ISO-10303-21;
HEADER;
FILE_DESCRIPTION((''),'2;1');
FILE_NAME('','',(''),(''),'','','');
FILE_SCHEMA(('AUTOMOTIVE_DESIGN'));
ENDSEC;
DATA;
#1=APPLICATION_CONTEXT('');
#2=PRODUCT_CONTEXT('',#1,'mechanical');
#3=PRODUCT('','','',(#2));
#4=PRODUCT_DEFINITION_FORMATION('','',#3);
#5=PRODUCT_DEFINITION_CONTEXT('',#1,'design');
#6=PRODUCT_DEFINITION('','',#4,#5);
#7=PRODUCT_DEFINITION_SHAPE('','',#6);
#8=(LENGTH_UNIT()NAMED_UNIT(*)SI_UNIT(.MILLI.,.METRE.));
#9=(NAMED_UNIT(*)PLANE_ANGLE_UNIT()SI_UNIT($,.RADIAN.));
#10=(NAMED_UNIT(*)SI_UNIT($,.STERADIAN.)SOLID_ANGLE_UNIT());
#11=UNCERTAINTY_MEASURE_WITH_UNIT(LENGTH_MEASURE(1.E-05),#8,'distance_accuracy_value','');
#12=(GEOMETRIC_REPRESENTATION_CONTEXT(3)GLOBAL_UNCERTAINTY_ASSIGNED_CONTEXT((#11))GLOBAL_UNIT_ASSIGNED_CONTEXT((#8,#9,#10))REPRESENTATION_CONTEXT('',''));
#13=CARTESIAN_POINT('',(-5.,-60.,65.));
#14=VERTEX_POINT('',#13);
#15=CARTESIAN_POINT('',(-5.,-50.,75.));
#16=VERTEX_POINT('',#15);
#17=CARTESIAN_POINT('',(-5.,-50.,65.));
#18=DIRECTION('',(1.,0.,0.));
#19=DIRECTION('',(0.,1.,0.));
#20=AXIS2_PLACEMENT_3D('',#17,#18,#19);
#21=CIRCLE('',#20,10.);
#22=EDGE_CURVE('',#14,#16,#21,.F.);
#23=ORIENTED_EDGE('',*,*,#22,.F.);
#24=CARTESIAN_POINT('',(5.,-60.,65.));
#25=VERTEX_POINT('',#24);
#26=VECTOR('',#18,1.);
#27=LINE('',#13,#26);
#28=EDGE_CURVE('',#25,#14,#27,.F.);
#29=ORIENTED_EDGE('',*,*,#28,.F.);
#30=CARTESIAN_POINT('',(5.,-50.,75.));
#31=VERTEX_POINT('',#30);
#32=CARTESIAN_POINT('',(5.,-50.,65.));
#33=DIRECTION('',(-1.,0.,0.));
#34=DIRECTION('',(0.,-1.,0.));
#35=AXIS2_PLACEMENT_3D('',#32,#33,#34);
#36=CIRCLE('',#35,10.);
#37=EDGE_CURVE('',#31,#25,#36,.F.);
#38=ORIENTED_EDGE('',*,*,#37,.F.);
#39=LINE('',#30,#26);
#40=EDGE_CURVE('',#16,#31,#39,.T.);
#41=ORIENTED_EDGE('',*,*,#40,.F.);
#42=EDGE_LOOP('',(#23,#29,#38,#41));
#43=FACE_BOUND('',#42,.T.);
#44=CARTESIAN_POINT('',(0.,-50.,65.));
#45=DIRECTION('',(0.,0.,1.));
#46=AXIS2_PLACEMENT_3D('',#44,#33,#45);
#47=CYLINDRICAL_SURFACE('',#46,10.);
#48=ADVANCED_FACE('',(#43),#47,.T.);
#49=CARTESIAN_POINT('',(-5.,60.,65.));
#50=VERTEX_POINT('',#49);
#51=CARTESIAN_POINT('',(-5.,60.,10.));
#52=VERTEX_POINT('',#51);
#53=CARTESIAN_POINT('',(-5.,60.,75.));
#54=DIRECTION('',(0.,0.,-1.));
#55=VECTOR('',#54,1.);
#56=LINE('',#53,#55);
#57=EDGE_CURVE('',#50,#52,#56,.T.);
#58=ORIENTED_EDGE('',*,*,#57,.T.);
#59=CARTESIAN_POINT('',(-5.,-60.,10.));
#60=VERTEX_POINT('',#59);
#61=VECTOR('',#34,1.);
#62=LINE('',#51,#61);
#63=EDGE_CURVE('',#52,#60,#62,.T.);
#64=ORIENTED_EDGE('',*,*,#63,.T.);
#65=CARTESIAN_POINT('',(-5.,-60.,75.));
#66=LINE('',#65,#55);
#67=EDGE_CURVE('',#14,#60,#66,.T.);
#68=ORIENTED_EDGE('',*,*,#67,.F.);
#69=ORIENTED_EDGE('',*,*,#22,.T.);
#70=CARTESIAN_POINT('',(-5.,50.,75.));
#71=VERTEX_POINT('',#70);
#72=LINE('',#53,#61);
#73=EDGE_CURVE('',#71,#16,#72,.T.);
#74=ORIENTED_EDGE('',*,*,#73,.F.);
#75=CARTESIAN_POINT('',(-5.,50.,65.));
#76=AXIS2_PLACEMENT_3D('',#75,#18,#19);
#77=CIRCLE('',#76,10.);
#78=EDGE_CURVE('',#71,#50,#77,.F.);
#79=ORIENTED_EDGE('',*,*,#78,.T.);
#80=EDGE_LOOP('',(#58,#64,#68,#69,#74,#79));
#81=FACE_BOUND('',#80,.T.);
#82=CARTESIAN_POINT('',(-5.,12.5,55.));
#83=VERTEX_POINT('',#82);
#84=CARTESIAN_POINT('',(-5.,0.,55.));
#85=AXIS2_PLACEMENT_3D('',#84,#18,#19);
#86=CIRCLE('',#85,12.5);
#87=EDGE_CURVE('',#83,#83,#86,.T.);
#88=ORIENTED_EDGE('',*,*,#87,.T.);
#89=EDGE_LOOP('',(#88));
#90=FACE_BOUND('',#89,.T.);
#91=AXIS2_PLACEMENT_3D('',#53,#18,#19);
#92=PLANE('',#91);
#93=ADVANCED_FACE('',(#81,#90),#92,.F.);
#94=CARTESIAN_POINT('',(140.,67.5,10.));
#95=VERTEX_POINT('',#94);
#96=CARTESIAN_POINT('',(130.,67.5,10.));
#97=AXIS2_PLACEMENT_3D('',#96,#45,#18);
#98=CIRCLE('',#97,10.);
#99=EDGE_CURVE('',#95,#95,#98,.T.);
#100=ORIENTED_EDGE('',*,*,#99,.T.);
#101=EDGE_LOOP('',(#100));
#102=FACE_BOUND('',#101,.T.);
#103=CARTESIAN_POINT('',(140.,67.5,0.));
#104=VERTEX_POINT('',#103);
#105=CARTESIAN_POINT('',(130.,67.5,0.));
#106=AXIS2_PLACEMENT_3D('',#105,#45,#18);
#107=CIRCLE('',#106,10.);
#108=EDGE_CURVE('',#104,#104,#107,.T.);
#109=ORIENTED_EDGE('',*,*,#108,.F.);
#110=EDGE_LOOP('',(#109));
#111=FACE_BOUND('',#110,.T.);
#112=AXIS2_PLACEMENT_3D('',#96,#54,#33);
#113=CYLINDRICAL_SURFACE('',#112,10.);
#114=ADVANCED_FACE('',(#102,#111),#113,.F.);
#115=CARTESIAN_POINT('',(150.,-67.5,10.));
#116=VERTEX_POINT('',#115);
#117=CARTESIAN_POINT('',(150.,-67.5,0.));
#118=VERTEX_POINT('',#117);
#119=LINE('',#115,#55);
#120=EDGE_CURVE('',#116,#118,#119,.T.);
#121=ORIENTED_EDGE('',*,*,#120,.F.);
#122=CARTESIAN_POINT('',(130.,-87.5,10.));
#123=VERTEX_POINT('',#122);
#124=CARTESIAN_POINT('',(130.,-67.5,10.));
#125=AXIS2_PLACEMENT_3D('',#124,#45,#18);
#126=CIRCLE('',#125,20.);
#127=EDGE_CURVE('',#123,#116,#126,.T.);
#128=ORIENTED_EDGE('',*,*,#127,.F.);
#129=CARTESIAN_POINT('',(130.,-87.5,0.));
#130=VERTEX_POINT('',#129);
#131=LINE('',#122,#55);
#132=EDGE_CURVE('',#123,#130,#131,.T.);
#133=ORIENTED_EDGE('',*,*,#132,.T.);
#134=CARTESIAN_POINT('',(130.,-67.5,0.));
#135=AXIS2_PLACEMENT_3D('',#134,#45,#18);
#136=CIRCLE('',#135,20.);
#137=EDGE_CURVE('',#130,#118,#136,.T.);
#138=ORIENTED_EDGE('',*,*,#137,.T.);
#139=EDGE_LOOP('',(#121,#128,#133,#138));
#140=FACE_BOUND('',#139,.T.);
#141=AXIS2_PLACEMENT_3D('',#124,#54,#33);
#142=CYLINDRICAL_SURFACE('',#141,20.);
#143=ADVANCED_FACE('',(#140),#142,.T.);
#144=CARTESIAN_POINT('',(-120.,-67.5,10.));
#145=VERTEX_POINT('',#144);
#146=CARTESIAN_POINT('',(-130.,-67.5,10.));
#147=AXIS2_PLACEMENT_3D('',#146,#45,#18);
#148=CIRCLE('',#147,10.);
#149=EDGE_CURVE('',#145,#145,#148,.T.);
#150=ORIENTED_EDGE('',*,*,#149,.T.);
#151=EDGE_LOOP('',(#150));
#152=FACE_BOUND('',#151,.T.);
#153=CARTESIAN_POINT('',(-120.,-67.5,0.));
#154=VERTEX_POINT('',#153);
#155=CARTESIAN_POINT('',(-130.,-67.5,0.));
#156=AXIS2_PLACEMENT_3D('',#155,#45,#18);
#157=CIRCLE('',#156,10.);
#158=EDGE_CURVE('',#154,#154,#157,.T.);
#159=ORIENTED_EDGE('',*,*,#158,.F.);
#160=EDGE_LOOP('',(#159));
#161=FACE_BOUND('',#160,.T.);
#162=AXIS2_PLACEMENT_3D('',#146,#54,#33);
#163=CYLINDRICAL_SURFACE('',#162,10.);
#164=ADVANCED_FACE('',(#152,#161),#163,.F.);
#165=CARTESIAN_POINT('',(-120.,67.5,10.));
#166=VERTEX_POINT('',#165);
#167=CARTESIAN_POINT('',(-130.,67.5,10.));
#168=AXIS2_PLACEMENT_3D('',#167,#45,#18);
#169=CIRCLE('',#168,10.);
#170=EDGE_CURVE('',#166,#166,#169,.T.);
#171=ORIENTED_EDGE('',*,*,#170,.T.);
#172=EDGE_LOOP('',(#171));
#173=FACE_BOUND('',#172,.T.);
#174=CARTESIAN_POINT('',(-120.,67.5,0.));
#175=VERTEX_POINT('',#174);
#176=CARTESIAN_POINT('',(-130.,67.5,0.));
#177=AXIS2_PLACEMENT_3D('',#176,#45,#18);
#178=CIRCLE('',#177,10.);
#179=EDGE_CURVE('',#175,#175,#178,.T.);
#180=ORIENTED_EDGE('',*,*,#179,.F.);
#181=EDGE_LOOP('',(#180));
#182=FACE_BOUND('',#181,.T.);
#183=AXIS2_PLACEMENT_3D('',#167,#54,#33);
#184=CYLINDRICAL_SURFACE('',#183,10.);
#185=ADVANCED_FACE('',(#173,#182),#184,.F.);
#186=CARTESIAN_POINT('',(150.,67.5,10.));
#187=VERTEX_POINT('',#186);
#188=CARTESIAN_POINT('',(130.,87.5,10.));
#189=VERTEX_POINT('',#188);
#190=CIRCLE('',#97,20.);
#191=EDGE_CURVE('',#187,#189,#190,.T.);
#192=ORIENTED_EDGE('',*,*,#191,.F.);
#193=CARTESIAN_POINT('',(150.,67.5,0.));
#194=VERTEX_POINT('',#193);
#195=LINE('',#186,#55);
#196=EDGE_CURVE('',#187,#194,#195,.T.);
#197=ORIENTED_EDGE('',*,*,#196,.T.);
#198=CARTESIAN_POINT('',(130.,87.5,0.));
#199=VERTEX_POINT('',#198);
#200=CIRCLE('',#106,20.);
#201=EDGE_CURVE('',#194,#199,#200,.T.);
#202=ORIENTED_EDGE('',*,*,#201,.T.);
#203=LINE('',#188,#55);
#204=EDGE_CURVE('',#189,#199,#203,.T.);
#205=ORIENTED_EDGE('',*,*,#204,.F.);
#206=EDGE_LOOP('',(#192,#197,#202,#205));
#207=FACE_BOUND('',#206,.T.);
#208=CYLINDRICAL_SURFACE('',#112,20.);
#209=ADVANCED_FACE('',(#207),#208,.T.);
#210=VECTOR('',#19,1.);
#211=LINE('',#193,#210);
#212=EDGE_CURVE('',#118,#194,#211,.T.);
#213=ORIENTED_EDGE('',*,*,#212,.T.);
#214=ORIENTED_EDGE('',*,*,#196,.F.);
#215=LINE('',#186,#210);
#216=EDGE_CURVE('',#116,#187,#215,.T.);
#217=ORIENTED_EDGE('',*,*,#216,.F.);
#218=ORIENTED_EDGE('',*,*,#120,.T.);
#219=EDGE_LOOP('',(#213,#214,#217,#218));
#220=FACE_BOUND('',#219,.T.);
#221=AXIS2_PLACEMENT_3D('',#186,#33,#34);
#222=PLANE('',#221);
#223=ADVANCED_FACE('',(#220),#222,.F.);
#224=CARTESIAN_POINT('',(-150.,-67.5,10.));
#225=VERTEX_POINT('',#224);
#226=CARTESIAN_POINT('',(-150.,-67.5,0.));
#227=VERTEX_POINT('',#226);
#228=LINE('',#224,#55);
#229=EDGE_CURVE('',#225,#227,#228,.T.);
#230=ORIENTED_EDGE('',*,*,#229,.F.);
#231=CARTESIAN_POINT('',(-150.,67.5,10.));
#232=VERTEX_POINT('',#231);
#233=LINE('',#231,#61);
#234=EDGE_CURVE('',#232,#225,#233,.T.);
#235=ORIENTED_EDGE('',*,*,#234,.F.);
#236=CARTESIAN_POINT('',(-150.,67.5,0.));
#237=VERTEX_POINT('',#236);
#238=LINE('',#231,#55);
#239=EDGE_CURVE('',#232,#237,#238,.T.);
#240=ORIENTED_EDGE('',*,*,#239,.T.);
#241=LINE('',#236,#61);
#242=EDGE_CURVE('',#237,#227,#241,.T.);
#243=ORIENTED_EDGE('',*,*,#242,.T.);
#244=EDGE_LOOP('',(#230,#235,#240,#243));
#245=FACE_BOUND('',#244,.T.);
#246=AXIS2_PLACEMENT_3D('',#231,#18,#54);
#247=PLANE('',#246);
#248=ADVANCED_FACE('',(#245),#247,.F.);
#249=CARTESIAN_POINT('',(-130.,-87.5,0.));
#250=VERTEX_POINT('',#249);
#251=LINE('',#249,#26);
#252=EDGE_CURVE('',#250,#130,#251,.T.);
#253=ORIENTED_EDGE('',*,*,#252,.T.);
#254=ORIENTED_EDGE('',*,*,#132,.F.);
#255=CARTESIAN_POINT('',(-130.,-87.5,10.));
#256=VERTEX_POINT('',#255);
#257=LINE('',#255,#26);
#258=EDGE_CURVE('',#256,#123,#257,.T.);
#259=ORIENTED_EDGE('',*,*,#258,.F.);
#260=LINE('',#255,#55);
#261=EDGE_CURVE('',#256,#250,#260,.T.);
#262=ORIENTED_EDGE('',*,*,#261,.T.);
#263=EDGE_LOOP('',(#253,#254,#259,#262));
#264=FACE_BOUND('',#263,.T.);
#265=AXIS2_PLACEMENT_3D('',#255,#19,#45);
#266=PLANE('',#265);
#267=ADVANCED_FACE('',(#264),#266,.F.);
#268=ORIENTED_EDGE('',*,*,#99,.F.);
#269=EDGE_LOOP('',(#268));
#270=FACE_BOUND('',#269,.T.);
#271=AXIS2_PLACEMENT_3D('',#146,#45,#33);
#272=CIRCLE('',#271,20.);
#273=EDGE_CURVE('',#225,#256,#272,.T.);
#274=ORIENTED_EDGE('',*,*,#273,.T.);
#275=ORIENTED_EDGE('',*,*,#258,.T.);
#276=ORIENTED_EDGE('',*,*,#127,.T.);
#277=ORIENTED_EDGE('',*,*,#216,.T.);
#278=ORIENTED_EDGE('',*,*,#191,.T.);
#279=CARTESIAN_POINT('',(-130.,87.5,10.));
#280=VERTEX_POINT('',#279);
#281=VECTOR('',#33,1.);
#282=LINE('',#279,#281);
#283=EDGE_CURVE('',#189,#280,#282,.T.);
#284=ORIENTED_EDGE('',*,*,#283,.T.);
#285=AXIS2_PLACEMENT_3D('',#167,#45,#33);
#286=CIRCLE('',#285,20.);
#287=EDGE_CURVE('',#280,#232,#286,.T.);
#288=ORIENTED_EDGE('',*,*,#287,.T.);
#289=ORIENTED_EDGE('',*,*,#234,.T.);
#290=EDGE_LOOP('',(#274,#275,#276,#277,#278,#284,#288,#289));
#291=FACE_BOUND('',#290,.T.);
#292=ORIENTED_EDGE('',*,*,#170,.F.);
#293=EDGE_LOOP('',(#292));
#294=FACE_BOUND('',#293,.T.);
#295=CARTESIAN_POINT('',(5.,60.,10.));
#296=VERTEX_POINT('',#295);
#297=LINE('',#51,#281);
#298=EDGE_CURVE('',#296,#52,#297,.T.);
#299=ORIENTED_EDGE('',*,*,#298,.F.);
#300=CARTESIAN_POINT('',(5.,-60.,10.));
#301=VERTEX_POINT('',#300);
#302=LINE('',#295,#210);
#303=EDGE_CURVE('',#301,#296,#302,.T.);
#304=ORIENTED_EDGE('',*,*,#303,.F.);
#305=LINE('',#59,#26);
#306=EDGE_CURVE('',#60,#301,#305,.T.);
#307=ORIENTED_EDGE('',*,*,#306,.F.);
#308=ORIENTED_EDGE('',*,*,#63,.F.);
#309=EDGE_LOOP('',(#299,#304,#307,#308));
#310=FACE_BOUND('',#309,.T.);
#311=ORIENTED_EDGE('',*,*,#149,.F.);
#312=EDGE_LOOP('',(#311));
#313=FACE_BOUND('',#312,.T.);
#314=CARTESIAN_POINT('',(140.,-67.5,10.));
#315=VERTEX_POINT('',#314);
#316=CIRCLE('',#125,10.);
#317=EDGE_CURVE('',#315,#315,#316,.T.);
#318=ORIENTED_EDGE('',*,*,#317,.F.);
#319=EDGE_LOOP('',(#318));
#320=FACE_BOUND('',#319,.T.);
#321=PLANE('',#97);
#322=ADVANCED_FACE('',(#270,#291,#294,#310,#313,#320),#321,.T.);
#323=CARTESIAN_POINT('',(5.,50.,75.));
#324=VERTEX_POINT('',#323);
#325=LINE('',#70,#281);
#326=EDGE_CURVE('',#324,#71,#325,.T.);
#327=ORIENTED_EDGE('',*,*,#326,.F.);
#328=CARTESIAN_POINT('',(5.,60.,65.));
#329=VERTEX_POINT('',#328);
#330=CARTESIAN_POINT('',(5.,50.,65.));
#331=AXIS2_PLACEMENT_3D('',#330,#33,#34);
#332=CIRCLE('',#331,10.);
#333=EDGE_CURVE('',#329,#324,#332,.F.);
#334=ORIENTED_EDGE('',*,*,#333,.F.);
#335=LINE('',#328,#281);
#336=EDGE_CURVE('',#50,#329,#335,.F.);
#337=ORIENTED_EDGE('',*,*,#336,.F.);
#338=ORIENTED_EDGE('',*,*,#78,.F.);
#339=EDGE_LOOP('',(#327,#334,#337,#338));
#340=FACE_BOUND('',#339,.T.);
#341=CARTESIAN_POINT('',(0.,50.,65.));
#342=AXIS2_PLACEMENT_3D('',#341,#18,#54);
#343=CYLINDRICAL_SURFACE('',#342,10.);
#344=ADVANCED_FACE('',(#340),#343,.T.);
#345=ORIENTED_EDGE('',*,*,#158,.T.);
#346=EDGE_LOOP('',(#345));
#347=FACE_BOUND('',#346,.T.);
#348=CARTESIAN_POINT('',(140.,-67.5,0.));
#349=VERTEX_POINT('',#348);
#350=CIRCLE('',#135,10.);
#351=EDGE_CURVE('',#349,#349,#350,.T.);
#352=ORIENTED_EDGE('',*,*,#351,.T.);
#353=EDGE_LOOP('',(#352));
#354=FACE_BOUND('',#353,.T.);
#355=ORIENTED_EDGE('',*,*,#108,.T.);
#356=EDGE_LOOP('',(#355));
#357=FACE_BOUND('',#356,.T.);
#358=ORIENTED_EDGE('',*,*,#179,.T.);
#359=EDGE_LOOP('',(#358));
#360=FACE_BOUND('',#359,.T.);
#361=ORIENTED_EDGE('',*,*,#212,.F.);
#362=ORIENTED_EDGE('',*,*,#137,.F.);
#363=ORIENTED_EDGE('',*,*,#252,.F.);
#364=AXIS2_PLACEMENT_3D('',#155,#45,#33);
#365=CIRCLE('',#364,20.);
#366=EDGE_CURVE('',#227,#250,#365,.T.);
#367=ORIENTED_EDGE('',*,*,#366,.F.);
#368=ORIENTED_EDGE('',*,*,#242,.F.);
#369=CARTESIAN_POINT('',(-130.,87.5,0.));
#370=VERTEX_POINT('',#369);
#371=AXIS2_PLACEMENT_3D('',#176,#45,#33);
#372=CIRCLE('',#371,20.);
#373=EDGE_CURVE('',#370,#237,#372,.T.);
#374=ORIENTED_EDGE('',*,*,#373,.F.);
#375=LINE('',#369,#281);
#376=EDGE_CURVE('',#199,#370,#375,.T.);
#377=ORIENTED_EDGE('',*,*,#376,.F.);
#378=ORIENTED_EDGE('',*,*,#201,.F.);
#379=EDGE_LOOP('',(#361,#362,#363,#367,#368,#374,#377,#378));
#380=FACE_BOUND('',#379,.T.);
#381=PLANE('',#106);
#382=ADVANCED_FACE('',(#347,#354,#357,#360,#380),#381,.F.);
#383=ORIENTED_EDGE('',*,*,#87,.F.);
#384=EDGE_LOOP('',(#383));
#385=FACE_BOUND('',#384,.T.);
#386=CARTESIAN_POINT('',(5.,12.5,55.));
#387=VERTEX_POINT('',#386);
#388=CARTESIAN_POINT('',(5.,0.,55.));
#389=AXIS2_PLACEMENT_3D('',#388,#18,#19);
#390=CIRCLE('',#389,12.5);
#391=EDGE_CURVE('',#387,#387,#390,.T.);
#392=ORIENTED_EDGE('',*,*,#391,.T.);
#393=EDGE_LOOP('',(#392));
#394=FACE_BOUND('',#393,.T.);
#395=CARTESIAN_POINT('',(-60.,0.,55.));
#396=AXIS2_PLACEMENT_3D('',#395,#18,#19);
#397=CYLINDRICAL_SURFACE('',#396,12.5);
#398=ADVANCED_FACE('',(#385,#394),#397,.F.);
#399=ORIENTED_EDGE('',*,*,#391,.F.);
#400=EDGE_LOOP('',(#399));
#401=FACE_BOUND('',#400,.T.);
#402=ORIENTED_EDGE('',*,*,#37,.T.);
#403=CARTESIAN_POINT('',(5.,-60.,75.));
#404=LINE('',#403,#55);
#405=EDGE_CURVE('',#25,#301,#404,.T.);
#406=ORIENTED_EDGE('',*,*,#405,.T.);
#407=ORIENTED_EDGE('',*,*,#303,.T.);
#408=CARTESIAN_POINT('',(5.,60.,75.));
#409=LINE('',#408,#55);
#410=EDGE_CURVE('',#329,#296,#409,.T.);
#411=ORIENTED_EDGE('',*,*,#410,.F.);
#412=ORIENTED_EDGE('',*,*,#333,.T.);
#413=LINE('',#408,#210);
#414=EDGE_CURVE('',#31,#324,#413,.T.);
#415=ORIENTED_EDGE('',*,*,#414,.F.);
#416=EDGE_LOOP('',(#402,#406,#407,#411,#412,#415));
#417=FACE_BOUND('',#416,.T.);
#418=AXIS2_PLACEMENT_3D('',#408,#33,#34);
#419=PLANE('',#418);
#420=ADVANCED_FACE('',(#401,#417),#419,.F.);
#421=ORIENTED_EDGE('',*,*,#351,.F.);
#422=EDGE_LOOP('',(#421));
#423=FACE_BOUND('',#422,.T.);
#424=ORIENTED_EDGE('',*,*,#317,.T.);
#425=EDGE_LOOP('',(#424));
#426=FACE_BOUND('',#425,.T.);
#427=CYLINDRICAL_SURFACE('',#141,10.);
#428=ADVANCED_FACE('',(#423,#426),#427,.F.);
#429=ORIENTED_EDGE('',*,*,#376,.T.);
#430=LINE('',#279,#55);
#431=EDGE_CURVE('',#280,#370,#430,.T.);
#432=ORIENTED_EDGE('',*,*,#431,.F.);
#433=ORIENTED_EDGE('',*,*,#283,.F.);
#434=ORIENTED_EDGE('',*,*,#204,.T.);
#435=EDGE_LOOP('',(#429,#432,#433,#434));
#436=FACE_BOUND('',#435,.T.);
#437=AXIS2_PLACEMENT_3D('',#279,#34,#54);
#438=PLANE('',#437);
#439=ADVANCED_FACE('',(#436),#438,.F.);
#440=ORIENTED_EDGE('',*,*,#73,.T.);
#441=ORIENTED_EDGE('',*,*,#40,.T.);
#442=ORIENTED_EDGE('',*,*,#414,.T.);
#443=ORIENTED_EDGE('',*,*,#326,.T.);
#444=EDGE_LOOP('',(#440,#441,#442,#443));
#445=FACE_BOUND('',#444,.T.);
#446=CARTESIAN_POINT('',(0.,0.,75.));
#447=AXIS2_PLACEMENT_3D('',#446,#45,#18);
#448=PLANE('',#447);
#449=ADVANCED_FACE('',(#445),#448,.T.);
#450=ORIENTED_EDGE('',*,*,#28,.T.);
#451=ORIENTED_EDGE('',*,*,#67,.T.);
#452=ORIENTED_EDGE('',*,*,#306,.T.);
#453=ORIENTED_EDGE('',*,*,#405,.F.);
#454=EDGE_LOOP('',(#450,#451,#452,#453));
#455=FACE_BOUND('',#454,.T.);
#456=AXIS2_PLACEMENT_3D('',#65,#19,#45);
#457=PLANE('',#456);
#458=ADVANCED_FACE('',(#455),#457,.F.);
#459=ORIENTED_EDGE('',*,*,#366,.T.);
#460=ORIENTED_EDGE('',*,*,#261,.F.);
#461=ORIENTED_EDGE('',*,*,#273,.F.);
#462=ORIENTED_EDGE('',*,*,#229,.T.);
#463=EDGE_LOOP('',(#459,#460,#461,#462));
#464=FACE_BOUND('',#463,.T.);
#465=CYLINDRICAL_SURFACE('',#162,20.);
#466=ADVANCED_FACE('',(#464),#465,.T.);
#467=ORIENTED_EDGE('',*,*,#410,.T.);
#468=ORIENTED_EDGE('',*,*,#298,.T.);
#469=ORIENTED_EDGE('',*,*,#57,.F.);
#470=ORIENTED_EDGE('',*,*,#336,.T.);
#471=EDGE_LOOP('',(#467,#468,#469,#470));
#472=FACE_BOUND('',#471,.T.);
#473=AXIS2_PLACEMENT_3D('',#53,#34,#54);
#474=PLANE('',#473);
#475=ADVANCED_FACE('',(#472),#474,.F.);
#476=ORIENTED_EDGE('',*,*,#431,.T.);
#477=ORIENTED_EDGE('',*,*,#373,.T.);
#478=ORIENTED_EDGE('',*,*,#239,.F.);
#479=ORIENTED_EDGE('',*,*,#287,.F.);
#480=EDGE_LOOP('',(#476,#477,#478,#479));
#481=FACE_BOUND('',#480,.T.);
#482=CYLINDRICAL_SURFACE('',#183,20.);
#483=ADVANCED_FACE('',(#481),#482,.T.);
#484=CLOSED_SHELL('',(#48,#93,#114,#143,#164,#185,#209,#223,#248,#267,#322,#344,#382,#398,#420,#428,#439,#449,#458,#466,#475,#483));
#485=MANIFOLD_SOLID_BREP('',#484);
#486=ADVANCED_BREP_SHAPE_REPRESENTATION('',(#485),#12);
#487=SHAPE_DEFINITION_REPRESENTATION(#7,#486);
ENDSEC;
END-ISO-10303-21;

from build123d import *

# Parameters (mm, degrees)
SZKIC1_R                    = 10
DODANIE_WYCI_GNI_CIE1_DEPTH = 10
SZKIC2_W                    = 10
SZKIC2_H                    = 120
DODANIE_WYCI_GNI_CIE2_DEPTH = 65
ZAOKR_GLENIE1_R             = 10
SZKIC4_R                    = 12.5
WYTNIJ_WYCI_GNI_CIE1_DEPTH  = 65


with BuildPart() as part:
    # Szkic1 → Dodanie-wyciągnięcie1 (new body)
    with BuildSketch(Plane.XY):
        with BuildLine():
            Line((-130, 87.5), (130, 87.5))
            ThreePointArc((130, 87.5), (144.142135624, 81.642135624), (150, 67.5))
            Line((150, 67.5), (150, -67.5))
            ThreePointArc((150, -67.5), (144.142135624, -81.642135624), (130, -87.5))
            Line((130, -87.5), (-130, -87.5))
            ThreePointArc((-130, -87.5), (-144.142135624, -81.642135624), (-150, -67.5))
            Line((-150, -67.5), (-150, 67.5))
            ThreePointArc((-150, 67.5), (-144.142135624, 81.642135624), (-130, 87.5))
        make_face()
        with Locations((-130, 67.5)):
            Circle(SZKIC1_R, mode=Mode.SUBTRACT)
        with Locations((-130, -67.5)):
            Circle(SZKIC1_R, mode=Mode.SUBTRACT)
        with Locations((130, -67.5)):
            Circle(SZKIC1_R, mode=Mode.SUBTRACT)
        with Locations((130, 67.5)):
            Circle(SZKIC1_R, mode=Mode.SUBTRACT)
    extrude(amount=DODANIE_WYCI_GNI_CIE1_DEPTH)

    # Szkic2 → Dodanie-wyciągnięcie2 (add)
    with BuildSketch(Plane.XY.offset(10)):
        Rectangle(SZKIC2_W, SZKIC2_H)
    extrude(amount=DODANIE_WYCI_GNI_CIE2_DEPTH)

    # Zaokrąglenie1
    zaokr_glenie1_edges = [part.edges().sort_by_distance(p)[0] for p in [
        (0, 60, 75),
        (0, -60, 75),
    ]]
    fillet(zaokr_glenie1_edges, radius=ZAOKR_GLENIE1_R)

    # Szkic4 → Wytnij-wyciągnięcie1 (cut)
    with BuildSketch(Plane(origin=(5, 0, 0), x_dir=(0, 0, -1), z_dir=(1, 0, 0))):
        with Locations(Location((-55, 0, 0), (0, 0, 90))):
            Circle(SZKIC4_R)
    extrude(amount=-WYTNIJ_WYCI_GNI_CIE1_DEPTH, mode=Mode.SUBTRACT)


solid = part.part
